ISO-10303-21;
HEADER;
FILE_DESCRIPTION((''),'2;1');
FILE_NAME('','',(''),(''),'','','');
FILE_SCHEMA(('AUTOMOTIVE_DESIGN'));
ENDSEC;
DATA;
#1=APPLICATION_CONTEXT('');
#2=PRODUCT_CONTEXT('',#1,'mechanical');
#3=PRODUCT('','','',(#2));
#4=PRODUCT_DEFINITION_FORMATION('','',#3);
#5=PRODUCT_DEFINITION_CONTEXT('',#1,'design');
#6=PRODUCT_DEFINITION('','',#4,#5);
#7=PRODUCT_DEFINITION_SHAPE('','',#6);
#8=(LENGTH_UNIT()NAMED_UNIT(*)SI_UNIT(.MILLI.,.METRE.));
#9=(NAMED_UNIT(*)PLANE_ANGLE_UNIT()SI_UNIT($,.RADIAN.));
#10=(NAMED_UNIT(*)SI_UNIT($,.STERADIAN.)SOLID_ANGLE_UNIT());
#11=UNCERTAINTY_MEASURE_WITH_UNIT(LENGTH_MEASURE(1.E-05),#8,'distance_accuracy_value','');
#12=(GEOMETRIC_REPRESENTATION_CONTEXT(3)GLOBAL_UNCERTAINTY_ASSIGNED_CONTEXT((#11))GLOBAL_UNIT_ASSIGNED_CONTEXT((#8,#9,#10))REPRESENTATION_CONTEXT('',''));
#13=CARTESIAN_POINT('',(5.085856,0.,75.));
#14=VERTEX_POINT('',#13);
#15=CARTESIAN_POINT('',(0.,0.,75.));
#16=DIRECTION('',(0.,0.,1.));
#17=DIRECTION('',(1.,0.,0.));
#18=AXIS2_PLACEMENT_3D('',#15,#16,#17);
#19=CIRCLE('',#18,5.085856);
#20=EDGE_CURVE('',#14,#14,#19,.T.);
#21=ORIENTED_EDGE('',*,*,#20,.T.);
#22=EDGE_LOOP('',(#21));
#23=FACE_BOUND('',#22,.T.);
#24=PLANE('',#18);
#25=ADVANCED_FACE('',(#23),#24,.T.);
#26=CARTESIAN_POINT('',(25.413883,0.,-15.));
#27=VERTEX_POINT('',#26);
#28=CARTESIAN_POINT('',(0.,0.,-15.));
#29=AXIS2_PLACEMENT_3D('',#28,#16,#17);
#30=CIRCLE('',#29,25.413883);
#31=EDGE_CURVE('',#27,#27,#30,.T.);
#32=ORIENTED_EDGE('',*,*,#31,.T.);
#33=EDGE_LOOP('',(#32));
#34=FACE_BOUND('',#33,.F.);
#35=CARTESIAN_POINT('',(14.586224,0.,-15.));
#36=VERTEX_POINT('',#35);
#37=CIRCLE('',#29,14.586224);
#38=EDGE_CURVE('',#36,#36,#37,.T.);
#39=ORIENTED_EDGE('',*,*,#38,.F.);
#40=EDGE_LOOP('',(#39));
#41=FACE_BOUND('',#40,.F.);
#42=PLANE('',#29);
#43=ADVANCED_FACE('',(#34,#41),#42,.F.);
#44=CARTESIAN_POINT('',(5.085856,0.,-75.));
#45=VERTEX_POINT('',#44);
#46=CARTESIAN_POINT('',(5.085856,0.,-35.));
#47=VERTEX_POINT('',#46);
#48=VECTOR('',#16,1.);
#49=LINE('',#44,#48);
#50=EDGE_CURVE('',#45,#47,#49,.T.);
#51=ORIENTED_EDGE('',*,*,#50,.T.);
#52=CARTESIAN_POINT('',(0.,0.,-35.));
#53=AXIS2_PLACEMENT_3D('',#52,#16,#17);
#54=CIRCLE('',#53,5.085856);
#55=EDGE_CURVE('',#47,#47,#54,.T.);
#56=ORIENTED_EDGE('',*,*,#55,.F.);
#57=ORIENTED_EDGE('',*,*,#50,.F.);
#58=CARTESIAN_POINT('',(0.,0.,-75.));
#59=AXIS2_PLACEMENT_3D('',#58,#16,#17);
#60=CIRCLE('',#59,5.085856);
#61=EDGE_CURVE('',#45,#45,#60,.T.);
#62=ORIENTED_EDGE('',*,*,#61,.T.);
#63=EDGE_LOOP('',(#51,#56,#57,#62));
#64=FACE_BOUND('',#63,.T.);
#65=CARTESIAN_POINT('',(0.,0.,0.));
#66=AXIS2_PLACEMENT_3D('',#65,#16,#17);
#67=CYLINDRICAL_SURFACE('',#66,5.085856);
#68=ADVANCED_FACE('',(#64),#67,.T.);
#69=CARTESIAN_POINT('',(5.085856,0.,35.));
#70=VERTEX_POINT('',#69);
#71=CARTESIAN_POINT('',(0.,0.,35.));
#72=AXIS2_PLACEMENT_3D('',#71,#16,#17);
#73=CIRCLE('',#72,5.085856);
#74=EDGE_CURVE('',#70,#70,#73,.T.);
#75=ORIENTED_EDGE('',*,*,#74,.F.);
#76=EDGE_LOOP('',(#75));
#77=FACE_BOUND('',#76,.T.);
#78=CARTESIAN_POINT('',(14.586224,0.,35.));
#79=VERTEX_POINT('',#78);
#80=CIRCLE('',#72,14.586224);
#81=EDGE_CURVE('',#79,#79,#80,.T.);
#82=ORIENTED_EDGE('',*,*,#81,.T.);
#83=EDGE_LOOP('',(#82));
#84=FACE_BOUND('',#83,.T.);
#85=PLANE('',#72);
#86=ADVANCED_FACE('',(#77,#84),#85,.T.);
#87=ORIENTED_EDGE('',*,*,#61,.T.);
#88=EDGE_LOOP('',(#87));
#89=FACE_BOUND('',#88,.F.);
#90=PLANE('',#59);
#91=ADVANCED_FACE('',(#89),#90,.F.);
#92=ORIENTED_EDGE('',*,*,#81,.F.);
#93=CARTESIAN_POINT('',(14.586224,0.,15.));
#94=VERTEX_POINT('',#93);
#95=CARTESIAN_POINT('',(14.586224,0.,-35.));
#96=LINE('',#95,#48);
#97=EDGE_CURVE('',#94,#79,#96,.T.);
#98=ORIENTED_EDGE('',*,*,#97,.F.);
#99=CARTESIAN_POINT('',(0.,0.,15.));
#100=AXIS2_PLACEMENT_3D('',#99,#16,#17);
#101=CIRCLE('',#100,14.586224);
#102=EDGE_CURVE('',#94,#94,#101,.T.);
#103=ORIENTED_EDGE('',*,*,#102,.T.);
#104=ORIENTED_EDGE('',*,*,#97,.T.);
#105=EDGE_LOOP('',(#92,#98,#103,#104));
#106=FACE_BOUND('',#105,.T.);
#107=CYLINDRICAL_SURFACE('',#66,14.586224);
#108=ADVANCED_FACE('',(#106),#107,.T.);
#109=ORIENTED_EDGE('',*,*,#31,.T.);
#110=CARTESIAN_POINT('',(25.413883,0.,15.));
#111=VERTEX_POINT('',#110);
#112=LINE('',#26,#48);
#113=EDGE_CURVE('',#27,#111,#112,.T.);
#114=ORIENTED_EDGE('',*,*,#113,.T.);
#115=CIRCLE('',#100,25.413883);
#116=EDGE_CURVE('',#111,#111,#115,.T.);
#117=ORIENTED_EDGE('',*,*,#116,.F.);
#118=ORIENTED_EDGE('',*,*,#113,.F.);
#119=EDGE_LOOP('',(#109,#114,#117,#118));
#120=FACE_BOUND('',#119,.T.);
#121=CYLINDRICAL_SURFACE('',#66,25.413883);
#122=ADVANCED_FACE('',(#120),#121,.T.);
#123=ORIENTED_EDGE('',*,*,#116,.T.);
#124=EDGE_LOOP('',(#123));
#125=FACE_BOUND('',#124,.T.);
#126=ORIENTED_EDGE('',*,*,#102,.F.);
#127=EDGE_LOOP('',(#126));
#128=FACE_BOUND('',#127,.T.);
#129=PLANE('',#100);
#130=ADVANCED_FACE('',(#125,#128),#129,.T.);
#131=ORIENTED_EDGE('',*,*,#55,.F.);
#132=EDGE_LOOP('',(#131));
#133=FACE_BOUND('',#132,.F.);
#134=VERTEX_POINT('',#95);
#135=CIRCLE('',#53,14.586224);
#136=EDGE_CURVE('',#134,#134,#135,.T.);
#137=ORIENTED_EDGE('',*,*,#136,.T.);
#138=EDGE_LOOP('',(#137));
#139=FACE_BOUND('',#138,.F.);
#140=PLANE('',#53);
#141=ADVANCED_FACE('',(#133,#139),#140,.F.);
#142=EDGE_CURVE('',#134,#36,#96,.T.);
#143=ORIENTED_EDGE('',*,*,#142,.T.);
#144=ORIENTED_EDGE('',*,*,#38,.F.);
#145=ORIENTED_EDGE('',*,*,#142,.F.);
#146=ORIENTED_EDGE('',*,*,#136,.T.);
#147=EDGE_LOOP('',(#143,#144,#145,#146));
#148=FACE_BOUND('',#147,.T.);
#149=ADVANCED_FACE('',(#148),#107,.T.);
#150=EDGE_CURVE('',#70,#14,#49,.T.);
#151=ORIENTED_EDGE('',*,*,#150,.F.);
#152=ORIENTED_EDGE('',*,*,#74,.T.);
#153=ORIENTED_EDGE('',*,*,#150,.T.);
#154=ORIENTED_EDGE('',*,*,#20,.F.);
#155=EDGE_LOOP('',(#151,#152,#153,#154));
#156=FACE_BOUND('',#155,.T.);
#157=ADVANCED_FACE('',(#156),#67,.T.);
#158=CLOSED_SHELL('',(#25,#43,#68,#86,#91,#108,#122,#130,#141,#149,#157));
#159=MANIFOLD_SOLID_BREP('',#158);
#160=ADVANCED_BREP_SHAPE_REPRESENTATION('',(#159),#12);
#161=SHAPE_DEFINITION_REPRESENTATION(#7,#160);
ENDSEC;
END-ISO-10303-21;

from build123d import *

# Parameters (mm, degrees)
F0_R     = 5.085856
F1_DEPTH = 75
F0_R_2   = 14.586224
F2_DEPTH = 35
F0_R_3   = 25.413883
F3_DEPTH = 15


with BuildPart() as f1:
    # F0 (on Top) → F1 (new body, symmetric)
    with BuildSketch(Plane.XY):
        Circle(F0_R)
    extrude(amount=F1_DEPTH, both=True)

    # F0 (on Top) → F2 (join, symmetric)
    with BuildSketch(Plane.XY):
        Circle(F0_R_2)
        Circle(F0_R, mode=Mode.SUBTRACT)
    extrude(amount=F2_DEPTH, both=True)

    # F0 (on Top) → F3 (join, symmetric)
    with BuildSketch(Plane.XY):
        Circle(F0_R_3)
        Circle(F0_R_2, mode=Mode.SUBTRACT)
    extrude(amount=F3_DEPTH, both=True)


solid = f1.part
